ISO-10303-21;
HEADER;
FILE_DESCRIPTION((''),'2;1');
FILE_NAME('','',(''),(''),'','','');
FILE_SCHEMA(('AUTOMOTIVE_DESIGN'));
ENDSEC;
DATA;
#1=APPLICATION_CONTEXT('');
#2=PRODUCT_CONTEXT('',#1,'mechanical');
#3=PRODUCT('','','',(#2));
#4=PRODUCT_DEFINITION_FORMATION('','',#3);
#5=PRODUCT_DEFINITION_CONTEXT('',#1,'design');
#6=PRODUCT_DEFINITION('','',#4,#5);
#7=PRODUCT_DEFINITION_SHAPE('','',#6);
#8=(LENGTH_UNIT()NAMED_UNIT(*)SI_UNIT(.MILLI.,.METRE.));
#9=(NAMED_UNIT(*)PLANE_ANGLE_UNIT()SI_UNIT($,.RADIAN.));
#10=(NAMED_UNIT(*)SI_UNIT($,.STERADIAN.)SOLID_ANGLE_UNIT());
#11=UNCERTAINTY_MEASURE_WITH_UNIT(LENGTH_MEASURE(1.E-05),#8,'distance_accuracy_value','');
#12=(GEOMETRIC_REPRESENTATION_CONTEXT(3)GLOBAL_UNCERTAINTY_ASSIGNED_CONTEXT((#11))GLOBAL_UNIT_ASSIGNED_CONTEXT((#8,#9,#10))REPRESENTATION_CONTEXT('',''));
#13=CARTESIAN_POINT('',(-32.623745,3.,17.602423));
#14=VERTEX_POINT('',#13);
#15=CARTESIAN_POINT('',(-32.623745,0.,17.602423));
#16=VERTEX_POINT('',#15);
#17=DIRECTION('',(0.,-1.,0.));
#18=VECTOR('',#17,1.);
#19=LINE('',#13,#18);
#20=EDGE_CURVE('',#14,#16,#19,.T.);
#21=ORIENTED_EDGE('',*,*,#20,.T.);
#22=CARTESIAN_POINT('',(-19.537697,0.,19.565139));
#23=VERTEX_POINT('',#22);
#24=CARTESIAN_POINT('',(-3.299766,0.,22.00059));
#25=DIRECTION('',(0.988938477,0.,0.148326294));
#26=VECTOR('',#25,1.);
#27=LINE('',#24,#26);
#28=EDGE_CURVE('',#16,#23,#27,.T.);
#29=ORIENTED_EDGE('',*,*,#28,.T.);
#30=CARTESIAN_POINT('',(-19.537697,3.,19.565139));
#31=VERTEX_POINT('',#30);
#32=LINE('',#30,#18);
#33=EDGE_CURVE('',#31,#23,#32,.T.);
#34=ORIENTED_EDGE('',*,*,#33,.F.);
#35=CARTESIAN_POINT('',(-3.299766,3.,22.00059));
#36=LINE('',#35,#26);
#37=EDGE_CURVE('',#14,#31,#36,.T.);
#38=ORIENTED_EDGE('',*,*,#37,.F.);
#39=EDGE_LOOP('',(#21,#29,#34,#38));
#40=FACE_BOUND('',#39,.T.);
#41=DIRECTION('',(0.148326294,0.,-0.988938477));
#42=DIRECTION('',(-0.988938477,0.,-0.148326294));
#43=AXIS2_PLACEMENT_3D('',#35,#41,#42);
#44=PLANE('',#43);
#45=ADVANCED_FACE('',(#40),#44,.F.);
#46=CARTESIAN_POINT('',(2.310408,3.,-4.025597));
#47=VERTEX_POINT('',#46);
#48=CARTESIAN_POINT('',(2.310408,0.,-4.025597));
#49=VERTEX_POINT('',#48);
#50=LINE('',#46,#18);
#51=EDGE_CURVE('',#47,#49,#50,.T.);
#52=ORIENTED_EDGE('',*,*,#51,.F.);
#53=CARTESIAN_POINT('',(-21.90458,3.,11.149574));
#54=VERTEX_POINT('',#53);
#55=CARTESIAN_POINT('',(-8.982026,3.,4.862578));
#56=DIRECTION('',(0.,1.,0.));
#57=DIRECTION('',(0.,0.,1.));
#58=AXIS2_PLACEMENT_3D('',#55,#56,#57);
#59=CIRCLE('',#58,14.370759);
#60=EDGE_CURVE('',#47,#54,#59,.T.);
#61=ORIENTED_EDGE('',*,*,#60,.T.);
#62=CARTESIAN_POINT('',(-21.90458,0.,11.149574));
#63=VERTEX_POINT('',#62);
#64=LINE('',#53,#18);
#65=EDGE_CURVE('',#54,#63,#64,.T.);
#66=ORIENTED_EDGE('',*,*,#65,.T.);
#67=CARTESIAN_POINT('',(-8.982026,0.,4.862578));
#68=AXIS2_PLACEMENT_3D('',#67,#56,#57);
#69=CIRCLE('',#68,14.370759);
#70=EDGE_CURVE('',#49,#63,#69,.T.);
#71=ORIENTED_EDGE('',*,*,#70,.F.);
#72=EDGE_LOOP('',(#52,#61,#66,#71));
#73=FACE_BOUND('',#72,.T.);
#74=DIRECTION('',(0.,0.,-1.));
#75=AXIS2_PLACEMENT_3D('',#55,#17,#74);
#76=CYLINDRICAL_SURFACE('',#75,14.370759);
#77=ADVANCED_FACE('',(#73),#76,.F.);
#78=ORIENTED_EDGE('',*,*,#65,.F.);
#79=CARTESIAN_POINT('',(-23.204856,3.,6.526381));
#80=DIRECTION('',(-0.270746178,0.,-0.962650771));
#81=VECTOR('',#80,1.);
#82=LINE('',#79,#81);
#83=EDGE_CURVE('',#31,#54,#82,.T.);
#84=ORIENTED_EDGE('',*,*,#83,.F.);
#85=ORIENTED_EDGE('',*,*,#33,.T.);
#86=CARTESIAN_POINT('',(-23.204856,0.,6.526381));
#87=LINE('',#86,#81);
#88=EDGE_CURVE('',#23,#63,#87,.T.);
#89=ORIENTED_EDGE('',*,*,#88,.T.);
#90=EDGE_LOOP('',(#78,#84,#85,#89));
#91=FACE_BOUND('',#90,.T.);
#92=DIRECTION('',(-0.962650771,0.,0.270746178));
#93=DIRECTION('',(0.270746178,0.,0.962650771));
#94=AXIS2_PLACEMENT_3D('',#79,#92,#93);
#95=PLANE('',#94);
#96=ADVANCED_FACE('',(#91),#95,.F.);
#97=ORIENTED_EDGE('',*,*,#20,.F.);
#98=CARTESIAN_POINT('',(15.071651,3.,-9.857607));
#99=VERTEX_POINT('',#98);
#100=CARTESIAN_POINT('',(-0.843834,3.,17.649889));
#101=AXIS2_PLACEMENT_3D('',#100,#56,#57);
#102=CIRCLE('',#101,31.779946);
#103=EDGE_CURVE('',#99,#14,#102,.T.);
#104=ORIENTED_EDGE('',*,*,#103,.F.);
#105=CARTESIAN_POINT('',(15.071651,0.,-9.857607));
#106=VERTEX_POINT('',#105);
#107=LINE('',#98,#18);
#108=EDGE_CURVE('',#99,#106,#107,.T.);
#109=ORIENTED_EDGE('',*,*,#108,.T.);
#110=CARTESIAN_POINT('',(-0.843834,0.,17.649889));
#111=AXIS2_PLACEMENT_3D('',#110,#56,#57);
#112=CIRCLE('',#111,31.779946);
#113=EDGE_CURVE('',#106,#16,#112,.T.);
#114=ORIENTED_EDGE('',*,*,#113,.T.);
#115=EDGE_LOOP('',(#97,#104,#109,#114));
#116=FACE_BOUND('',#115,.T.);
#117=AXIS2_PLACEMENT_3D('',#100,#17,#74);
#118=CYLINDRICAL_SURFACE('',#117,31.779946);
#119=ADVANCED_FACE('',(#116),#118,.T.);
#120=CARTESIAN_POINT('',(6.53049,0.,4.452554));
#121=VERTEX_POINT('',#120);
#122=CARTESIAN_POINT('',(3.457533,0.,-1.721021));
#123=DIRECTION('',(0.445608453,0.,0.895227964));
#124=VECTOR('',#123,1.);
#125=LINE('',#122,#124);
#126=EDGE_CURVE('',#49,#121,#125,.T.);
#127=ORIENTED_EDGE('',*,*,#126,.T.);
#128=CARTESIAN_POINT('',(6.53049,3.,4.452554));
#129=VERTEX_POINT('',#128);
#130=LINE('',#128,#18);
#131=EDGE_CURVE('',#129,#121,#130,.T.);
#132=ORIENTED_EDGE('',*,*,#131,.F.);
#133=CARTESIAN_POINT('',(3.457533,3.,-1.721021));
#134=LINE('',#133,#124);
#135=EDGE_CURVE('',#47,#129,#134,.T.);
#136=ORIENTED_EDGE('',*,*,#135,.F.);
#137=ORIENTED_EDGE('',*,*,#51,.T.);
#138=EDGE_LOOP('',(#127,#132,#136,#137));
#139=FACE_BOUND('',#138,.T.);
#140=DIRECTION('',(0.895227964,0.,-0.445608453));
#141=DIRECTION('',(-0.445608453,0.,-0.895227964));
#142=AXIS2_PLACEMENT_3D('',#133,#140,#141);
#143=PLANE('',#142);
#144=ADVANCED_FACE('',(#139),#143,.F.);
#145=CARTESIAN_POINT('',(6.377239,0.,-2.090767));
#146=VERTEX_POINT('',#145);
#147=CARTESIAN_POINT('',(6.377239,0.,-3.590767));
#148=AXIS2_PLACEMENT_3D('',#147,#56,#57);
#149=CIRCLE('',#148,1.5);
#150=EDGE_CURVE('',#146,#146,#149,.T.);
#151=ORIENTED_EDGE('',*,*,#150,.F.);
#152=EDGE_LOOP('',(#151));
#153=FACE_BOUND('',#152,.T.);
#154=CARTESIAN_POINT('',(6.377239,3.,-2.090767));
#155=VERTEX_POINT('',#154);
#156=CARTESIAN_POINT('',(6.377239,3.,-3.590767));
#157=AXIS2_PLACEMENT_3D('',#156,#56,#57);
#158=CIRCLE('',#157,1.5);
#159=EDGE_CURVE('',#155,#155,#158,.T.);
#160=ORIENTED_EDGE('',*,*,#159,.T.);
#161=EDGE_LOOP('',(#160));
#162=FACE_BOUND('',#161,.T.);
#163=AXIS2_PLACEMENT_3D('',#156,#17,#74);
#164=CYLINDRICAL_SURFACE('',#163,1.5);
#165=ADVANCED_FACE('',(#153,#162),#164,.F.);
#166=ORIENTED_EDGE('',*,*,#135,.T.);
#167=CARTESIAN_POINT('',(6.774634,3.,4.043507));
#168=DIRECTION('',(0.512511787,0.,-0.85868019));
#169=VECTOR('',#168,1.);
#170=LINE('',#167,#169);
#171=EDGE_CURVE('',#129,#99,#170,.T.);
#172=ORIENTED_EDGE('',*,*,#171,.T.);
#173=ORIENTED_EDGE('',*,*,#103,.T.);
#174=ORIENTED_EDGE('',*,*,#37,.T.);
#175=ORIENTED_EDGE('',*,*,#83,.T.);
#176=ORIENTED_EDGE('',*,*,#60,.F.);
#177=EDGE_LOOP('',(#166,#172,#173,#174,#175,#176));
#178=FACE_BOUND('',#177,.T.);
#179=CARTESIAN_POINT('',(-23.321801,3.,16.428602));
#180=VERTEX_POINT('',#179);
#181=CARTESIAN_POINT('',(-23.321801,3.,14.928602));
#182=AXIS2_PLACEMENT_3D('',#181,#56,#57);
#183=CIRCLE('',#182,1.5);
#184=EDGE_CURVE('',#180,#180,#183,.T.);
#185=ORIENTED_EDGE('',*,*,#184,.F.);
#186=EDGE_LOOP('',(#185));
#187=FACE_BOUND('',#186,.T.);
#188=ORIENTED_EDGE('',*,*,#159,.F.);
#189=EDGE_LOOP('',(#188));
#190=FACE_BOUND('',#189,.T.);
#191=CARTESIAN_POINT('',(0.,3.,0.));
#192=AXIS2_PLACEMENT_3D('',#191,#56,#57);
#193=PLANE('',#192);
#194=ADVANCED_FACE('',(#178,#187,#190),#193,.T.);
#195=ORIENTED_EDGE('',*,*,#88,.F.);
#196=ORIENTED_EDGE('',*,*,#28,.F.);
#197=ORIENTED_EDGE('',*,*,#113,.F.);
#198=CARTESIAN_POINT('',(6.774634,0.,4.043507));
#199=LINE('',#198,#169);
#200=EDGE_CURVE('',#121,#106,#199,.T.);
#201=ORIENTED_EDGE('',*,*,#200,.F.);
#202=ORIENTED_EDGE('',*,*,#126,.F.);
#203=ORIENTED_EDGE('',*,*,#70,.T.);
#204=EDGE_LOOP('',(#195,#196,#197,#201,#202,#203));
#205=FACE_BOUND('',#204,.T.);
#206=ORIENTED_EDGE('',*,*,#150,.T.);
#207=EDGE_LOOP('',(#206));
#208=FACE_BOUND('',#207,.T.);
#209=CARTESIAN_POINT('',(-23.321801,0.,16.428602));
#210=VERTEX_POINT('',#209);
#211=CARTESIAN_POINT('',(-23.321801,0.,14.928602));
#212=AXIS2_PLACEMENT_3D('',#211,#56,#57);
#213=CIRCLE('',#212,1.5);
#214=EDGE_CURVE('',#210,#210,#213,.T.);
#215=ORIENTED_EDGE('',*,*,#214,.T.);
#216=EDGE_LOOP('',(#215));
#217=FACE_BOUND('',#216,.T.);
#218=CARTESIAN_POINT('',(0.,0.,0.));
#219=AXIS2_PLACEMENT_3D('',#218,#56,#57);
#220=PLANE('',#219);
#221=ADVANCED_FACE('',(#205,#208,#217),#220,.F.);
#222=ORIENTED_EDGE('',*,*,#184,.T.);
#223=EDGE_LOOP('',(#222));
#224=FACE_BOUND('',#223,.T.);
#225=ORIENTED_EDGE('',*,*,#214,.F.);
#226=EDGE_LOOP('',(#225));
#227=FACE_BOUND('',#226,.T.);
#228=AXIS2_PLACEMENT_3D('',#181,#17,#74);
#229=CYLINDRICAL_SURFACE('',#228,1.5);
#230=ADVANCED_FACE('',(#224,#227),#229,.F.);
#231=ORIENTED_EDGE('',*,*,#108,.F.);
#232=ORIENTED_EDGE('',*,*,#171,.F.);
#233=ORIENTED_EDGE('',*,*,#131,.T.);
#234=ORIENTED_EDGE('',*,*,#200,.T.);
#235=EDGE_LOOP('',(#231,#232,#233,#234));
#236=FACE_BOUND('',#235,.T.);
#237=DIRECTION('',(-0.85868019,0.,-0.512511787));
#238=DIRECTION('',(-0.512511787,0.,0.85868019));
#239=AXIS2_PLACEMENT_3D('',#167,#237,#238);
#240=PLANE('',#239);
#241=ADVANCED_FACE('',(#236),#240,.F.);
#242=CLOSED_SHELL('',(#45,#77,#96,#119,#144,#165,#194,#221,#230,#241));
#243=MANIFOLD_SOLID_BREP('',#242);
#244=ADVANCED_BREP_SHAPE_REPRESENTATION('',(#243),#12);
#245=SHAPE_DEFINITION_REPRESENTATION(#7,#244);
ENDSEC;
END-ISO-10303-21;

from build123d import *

# Parameters (mm, degrees)
SKETCH1_R           = 1.5
BOSS_EXTRUDE1_DEPTH = 3


with BuildPart() as part:
    # Sketch1 → Boss-Extrude1 (new body)
    with BuildSketch(Plane(origin=(0, 0, 0), x_dir=(1, 0, 0), z_dir=(0, 1, 0))):
        with BuildLine():
            ThreePointArc((-21.904580175, -11.149573826), (-16.613262981, 7.314570744), (2.310408028, 4.025597064))
            Line((2.310408028, 4.025597064), (6.530490254, -4.452553635))
            Line((6.530490254, -4.452553635), (15.07165127, 9.857606543))
            ThreePointArc((15.07165127, 9.857606543), (-16.700482533, 9.891564727), (-32.623744859, -17.602422915))
            Line((-32.623744859, -17.602422915), (-19.537696929, -19.565138538))
            Line((-19.537696929, -19.565138538), (-21.904580175, -11.149573826))
        make_face()
        with Locations(Location((-23.321800839, -14.928602489, 0), (0, 0, 270))):
            Circle(SKETCH1_R, mode=Mode.SUBTRACT)
        with Locations(Location((6.377238608, 3.590767262, 0), (0, 0, 270))):
            Circle(SKETCH1_R, mode=Mode.SUBTRACT)
    extrude(amount=BOSS_EXTRUDE1_DEPTH)


solid = part.part
